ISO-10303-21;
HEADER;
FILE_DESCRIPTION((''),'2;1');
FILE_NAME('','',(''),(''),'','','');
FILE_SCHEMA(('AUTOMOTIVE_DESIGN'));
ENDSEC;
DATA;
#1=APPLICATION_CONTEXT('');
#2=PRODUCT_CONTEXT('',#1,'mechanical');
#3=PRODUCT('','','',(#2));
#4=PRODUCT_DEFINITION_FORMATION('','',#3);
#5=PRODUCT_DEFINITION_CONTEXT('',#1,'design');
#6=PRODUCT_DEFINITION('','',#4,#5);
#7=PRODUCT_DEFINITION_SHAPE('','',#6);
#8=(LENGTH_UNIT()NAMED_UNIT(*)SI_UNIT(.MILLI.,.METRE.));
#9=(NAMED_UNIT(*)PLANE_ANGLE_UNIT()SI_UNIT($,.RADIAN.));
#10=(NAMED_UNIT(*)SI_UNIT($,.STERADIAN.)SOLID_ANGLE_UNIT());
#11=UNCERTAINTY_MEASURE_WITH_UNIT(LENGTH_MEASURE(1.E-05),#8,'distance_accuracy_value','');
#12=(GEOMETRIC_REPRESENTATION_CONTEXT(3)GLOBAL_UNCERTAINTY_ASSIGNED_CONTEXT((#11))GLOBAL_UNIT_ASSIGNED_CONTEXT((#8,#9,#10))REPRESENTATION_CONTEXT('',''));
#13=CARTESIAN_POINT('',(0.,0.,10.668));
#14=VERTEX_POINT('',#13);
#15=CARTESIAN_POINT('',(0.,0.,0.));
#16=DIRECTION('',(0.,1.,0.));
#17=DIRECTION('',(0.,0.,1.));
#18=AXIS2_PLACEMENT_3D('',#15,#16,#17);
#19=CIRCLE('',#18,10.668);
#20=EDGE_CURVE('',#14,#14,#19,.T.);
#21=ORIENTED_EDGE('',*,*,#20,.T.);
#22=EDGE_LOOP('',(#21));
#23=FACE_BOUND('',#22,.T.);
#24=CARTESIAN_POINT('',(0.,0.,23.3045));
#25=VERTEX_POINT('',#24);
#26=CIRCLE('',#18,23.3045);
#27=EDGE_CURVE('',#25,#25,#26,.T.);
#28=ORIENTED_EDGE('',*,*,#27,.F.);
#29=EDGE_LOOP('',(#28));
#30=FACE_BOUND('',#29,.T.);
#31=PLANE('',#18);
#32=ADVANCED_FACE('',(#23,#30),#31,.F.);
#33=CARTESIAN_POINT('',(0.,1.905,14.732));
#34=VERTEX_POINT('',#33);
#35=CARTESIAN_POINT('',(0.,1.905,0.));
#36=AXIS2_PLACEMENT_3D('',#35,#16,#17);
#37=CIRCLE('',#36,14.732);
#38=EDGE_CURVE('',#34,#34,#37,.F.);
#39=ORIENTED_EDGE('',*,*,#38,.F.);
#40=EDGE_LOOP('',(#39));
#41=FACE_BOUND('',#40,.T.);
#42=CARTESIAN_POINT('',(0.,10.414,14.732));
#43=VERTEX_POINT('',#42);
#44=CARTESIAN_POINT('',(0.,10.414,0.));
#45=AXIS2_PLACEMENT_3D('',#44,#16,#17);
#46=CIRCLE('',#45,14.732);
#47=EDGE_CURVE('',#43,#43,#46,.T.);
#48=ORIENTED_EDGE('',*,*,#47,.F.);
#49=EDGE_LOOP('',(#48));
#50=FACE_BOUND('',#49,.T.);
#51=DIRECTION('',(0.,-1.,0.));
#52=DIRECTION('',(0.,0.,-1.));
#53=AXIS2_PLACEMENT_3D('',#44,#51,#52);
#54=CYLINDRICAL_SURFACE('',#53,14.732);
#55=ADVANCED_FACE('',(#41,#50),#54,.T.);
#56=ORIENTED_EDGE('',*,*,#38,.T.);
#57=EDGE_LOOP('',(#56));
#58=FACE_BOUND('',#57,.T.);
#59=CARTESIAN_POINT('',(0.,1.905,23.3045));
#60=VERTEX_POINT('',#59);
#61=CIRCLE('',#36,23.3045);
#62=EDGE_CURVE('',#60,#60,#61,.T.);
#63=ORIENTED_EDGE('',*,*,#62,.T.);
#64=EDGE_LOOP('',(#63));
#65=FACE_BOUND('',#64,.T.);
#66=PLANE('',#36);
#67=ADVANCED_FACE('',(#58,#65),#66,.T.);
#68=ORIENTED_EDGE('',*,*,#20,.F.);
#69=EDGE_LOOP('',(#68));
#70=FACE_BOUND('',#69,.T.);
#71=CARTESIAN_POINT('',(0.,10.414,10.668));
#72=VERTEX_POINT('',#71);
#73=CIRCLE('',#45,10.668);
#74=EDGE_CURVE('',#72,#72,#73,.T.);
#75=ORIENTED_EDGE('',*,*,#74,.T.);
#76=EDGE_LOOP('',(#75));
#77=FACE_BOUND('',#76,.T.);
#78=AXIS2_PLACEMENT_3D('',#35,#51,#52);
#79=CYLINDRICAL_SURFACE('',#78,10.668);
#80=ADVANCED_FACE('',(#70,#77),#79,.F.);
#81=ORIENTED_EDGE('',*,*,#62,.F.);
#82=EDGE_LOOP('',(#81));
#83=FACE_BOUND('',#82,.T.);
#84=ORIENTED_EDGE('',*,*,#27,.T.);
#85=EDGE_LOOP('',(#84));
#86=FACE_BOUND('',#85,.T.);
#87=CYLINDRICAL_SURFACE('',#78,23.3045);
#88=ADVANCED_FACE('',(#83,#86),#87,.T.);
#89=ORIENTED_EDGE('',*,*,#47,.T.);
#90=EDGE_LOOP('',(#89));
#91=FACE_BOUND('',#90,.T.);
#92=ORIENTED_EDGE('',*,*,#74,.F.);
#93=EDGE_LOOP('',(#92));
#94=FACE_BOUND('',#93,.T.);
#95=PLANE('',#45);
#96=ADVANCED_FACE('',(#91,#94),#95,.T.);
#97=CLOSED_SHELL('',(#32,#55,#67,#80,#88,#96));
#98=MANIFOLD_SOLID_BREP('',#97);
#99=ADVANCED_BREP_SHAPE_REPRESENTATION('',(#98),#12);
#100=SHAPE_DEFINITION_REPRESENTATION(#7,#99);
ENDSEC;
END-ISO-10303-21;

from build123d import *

# Parameters (mm, degrees)
SKETCH1_R           = 23.3045
SKETCH1_R_2         = 14.732
SKETCH1_R_3         = 10.668
BOSS_EXTRUDE1_DEPTH = 1.905
SKETCH1_3_R         = 14.732
SKETCH1_3_R_2       = 10.668
BOSS_EXTRUDE2_DEPTH = 10.414


with BuildPart() as part:
    # Sketch1 → Boss-Extrude1 (new body)
    with BuildSketch(Plane(origin=(0, 0, 0), x_dir=(1, 0, 0), z_dir=(0, 1, 0))):
        with Locations(Location((0, 0, 0), (0, 0, 270))):  # turned: the seam where the file's is
            Circle(SKETCH1_R)
        Circle(SKETCH1_R_2, mode=Mode.SUBTRACT)
        Circle(SKETCH1_R_2)
        with Locations(Location((0, 0, 0), (0, 0, 270))):  # turned: the seam where the file's is
            Circle(SKETCH1_R_3, mode=Mode.SUBTRACT)
    extrude(amount=BOSS_EXTRUDE1_DEPTH)

    # Sketch1_3 → Boss-Extrude2 (add)
    with BuildSketch(Plane(origin=(0, 0, 0), x_dir=(1, 0, 0), z_dir=(0, 1, 0))):
        with Locations(Location((0, 0, 0), (0, 0, 270))):  # turned: the seam where the file's is
            Circle(SKETCH1_3_R)
        with Locations(Location((0, 0, 0), (0, 0, 270))):  # turned: the seam where the file's is
            Circle(SKETCH1_3_R_2, mode=Mode.SUBTRACT)
    extrude(amount=BOSS_EXTRUDE2_DEPTH)


solid = part.part
